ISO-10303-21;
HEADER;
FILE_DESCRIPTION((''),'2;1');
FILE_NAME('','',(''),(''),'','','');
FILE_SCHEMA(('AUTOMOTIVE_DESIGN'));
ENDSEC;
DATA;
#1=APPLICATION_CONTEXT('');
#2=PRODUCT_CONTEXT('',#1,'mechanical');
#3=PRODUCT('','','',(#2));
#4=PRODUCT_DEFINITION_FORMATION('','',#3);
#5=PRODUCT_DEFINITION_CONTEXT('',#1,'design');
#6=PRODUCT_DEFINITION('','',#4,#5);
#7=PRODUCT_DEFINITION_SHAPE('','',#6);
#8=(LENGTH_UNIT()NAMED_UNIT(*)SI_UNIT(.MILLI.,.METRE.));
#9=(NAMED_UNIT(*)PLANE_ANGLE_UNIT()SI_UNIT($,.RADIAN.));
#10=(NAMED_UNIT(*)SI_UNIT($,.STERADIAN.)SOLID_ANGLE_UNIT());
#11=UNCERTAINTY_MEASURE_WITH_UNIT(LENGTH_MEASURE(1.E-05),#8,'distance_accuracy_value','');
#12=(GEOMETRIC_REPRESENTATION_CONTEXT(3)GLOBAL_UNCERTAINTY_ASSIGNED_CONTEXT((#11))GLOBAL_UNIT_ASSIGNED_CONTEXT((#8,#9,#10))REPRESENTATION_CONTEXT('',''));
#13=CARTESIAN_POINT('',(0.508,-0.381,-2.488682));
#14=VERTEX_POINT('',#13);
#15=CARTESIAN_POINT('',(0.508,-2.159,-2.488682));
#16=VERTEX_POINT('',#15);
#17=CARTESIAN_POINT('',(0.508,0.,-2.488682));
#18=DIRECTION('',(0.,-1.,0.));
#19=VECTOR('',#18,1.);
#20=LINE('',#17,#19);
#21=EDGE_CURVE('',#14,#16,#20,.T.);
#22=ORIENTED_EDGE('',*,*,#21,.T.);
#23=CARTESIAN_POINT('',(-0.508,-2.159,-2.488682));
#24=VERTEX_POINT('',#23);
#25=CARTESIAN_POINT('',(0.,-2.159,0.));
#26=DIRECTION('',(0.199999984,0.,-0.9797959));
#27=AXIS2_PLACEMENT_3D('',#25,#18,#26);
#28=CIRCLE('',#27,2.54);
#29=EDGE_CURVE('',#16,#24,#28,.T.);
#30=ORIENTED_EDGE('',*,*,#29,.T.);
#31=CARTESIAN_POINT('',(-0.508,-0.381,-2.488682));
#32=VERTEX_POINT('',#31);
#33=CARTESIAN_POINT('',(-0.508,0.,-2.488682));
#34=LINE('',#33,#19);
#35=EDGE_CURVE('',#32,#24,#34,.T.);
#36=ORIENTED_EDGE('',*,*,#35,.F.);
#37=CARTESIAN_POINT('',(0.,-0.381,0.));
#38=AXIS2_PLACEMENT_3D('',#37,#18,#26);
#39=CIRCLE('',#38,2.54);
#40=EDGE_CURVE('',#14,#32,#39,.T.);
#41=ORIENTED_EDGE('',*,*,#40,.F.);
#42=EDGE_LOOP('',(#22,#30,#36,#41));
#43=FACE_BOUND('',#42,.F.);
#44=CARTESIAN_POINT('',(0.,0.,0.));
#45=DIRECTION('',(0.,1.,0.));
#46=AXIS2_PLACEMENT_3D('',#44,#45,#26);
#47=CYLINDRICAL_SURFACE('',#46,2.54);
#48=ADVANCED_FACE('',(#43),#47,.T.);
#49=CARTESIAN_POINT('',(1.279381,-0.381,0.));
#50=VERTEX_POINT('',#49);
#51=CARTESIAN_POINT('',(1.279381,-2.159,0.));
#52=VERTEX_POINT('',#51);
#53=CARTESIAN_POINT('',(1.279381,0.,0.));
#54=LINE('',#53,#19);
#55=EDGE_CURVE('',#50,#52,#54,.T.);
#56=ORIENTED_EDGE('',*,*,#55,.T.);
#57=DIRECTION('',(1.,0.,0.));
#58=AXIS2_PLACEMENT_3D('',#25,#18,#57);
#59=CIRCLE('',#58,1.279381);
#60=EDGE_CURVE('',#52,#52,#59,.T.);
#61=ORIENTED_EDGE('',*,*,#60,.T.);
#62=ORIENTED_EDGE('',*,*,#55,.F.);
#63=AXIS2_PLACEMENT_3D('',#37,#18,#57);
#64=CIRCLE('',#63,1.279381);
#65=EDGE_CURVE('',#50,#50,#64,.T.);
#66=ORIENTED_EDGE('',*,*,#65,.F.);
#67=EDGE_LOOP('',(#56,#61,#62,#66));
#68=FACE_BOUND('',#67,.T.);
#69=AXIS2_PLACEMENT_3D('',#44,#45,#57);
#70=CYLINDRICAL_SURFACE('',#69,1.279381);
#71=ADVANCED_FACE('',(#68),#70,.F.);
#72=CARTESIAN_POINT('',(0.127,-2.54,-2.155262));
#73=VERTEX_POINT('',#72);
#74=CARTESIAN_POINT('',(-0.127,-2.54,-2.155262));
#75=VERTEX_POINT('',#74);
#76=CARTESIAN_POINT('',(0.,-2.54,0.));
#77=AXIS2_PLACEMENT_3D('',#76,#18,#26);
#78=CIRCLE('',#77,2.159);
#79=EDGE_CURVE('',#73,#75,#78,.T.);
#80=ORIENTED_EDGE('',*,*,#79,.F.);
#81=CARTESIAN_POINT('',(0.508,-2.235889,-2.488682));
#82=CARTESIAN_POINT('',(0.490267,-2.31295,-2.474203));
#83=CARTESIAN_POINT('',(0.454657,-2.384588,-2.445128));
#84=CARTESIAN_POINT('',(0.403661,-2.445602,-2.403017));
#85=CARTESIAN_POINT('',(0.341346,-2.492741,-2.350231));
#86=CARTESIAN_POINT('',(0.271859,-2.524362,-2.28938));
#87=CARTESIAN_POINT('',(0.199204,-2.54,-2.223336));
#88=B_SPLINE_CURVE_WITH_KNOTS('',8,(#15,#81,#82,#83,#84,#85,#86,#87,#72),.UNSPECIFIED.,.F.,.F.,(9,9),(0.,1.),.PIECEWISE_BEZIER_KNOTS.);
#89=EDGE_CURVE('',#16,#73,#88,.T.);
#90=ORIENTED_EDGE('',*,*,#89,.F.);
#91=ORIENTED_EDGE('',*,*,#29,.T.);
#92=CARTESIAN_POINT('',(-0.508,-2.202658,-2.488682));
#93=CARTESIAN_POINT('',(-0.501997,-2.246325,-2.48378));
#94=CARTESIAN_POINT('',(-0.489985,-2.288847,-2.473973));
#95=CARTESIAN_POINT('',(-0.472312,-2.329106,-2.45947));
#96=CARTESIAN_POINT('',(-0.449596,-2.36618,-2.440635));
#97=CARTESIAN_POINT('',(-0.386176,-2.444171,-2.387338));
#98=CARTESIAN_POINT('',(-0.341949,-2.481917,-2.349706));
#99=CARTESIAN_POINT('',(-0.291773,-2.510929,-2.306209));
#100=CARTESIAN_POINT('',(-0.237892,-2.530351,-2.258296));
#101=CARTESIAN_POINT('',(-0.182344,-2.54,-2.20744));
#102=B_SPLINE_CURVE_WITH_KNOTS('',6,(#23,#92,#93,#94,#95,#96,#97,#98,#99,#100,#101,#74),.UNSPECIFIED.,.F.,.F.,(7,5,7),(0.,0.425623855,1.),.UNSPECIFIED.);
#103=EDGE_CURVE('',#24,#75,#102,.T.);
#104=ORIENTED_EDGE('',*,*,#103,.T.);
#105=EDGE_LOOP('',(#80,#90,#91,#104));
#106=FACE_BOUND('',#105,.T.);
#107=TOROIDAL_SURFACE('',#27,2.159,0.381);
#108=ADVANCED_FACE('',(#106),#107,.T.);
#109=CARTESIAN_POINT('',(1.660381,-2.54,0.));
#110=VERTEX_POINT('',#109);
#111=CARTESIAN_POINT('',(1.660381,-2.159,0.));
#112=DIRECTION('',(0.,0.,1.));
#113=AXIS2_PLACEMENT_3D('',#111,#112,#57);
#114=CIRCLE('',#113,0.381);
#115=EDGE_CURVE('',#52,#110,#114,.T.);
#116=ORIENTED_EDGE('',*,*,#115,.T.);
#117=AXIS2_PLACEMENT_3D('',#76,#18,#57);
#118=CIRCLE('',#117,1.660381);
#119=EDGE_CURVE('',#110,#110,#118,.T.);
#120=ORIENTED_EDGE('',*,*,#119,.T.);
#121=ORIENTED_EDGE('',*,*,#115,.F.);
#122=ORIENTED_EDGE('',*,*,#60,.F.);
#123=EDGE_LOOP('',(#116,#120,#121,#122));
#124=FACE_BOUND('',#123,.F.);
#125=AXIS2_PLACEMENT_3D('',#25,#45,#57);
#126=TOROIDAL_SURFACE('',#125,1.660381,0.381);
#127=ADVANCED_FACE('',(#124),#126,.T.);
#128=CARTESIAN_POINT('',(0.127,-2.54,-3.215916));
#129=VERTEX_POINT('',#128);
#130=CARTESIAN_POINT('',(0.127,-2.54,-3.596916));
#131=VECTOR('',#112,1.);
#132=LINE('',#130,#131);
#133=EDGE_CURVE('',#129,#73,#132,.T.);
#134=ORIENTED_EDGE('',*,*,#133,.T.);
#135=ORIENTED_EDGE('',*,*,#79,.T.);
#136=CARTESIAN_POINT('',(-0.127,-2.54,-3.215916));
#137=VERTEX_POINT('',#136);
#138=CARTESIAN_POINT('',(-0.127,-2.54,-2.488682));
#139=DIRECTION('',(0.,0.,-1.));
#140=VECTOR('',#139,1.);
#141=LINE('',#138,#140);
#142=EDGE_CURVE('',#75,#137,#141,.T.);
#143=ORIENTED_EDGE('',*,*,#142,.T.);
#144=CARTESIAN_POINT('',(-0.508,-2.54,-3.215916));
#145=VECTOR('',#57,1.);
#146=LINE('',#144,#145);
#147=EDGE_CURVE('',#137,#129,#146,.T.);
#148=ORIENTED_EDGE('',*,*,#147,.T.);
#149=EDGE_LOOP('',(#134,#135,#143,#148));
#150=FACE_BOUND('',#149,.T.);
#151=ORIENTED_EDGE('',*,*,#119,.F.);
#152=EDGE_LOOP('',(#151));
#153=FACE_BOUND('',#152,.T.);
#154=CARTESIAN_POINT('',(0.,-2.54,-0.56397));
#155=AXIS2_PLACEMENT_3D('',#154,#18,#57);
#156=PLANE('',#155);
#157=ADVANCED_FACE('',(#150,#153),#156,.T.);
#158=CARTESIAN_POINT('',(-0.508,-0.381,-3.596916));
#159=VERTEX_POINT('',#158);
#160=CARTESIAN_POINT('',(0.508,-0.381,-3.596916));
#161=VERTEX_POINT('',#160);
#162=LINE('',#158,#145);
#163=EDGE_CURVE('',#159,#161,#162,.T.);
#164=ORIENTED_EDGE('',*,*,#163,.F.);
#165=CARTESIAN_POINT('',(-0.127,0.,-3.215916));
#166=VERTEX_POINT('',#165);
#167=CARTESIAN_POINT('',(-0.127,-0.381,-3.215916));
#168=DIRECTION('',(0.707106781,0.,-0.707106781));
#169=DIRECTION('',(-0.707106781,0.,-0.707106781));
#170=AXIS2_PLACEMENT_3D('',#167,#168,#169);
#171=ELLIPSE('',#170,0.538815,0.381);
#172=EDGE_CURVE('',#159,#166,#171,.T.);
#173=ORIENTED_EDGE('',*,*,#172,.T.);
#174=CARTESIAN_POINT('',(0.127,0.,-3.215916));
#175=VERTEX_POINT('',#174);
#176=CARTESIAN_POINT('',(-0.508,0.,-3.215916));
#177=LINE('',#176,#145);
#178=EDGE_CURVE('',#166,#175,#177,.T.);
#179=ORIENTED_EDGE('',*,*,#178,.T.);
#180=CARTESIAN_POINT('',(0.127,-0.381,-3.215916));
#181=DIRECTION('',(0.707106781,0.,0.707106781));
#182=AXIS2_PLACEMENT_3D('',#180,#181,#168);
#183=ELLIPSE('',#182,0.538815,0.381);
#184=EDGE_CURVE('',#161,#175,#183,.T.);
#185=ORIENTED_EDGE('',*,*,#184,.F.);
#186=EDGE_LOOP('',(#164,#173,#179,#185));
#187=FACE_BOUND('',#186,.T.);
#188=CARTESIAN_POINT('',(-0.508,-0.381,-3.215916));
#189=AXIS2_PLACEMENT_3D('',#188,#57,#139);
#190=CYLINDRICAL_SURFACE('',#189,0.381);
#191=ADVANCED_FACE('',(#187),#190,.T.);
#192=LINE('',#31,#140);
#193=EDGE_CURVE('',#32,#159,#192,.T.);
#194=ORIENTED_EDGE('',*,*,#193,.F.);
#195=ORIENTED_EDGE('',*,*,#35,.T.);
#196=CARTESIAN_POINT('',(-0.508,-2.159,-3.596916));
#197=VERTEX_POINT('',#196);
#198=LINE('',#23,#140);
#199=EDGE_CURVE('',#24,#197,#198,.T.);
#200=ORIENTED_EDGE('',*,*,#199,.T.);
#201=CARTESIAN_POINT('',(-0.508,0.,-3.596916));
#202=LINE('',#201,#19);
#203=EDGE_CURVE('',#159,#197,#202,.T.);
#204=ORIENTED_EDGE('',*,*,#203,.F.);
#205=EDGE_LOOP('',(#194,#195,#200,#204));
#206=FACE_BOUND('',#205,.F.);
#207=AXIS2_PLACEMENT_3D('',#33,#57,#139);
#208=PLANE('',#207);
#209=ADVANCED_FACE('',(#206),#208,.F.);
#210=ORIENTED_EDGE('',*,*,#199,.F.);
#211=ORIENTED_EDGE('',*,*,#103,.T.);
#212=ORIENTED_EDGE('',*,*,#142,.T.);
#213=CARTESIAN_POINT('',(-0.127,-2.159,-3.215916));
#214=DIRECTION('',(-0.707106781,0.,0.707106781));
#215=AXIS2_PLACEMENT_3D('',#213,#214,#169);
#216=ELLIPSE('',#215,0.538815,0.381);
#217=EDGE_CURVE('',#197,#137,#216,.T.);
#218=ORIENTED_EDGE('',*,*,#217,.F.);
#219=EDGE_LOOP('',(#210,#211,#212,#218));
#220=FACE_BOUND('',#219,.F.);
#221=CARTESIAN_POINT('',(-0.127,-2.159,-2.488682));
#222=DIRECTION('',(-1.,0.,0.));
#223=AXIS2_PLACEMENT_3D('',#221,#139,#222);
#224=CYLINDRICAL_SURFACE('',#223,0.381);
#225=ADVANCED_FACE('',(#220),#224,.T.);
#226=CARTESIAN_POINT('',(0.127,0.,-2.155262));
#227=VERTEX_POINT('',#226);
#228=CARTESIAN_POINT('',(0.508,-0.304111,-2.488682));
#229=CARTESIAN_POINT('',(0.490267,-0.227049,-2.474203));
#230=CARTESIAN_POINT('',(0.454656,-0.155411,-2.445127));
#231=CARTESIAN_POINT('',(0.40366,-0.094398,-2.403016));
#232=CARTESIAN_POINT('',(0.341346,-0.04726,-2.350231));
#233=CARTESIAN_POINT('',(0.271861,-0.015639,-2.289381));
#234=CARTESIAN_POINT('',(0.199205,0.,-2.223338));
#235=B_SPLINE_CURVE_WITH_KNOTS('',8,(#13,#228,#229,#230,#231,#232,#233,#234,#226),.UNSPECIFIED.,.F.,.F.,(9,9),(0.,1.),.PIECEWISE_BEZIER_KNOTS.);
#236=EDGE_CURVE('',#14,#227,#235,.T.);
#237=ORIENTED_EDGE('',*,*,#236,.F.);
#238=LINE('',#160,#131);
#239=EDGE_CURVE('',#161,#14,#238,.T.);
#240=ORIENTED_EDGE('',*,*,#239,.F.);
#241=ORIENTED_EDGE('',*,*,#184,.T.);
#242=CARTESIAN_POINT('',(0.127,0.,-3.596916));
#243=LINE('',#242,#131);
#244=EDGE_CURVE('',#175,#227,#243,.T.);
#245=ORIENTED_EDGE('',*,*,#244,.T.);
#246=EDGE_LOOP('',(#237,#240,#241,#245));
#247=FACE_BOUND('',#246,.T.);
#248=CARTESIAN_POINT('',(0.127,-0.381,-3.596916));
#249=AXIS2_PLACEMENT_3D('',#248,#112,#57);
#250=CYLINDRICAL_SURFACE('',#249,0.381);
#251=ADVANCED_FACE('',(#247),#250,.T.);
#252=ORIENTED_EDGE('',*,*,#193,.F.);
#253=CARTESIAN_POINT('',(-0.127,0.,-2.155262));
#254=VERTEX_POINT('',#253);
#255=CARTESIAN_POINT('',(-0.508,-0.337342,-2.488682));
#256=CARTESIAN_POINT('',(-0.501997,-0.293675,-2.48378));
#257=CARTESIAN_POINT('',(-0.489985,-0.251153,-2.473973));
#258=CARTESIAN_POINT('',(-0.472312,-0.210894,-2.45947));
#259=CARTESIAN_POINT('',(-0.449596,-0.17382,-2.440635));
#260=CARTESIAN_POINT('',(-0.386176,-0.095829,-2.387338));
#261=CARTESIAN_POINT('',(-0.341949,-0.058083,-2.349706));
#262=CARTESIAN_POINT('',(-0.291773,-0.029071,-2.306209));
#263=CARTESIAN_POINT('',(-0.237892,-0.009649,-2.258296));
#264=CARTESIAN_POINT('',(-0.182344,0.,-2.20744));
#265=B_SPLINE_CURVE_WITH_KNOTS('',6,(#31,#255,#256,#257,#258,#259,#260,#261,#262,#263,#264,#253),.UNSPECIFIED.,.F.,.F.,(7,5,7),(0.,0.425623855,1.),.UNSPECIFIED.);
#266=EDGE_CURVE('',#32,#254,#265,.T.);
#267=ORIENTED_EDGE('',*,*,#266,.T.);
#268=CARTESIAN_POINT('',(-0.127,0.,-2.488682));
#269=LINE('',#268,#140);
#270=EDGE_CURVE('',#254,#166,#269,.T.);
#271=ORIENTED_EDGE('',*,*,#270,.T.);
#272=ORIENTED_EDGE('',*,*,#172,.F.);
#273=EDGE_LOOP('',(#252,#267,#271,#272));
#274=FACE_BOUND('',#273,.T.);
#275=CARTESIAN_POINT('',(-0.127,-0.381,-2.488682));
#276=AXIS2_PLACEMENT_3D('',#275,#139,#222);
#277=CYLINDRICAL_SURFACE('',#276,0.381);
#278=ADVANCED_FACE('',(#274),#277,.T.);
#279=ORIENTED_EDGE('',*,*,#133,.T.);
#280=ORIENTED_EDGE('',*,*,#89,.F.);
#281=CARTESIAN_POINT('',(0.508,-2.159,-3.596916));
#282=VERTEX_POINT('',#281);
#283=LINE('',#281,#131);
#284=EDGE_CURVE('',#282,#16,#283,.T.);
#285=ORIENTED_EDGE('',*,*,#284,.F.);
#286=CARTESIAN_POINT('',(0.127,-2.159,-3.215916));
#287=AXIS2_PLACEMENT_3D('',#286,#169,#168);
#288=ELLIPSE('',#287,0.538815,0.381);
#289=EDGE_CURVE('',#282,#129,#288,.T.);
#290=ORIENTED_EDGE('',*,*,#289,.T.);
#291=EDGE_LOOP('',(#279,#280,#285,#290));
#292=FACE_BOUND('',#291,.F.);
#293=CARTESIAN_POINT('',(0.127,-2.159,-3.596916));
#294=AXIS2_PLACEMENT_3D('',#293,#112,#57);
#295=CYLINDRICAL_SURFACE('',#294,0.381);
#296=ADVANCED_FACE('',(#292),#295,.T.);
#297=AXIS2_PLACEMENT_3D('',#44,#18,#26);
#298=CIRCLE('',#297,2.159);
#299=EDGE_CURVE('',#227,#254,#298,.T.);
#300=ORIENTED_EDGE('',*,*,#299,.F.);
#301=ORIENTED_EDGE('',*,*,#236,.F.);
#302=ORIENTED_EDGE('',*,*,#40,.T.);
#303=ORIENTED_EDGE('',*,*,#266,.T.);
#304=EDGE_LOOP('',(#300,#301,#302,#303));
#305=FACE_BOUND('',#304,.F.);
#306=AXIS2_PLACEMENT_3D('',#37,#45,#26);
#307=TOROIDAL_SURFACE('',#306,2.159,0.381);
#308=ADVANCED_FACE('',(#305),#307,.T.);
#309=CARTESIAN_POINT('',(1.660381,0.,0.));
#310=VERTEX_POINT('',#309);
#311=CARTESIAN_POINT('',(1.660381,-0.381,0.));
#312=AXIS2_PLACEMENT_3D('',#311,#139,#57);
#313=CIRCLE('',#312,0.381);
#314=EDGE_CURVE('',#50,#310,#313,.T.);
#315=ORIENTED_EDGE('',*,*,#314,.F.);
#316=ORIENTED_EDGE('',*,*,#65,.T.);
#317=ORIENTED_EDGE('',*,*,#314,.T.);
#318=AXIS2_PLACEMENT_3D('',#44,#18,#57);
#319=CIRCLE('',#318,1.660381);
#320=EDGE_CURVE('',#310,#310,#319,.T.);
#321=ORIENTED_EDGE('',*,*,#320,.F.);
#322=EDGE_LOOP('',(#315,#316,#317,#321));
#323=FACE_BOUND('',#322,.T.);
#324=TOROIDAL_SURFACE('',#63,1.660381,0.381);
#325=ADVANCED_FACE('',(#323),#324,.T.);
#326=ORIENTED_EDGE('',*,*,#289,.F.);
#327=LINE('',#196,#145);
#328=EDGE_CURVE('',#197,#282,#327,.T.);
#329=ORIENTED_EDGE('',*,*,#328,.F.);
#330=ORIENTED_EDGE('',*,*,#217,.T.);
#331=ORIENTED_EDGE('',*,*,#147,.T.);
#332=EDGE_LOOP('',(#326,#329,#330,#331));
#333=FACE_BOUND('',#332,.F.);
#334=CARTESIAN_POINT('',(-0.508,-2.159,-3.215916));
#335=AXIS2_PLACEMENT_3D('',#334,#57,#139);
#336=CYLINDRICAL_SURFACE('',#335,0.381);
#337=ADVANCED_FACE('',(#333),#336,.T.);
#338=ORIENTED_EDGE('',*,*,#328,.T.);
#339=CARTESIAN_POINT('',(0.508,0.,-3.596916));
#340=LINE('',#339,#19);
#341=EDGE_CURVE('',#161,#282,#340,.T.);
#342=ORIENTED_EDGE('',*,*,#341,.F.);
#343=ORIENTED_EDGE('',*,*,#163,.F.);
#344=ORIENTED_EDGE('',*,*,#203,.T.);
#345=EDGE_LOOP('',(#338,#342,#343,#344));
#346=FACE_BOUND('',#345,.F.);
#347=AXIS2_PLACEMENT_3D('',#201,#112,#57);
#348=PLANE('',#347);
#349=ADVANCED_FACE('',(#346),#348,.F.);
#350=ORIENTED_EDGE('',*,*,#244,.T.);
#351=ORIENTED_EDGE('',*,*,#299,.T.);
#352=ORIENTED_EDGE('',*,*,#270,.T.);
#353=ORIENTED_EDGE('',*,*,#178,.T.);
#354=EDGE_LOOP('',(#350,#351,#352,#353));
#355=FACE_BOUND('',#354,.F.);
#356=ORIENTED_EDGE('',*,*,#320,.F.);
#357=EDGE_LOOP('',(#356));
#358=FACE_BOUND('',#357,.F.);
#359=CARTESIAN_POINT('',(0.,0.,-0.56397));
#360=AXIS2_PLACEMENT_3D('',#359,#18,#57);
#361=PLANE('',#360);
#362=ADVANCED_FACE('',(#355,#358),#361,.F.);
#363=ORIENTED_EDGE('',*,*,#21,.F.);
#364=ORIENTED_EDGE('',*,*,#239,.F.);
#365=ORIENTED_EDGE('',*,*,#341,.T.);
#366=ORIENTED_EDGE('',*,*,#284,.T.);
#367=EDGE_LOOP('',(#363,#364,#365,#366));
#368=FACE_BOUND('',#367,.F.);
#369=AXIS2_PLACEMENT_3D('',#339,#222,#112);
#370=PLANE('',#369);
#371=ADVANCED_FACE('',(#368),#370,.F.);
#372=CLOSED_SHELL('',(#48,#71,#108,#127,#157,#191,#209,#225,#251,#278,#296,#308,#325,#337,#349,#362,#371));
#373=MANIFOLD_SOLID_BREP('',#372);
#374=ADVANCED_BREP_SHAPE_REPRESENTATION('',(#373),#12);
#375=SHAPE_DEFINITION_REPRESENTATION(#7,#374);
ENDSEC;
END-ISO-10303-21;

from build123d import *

# Parameters (mm, degrees)
F0_R     = 1.279381
F1_DEPTH = 2.54
F2_R     = 0.381


with BuildPart() as f1:
    # F0 (on Front) → F1 (new body)
    with BuildSketch(Plane.XZ):
        with BuildLine():
            Line((0.508, -3.596916), (0.508, -2.488682))
            ThreePointArc((0.508, -2.488682), (0, 2.54), (-0.508, -2.488682))
            Line((-0.508, -2.488682), (-0.508, -3.596916))
            Line((-0.508, -3.596916), (0.508, -3.596916))
        make_face()
        Circle(F0_R, mode=Mode.SUBTRACT)
    extrude(amount=F1_DEPTH)

    # F2
    f2_edges = [f1.edges().sort_by_distance(p)[0] for p in [
        (-0.508, -2.54, -3.042799),
        (0, -2.54, -3.596916),
        (0.508, -2.54, -3.042799),
        (0, -2.54, 2.54),
        (-1.279381, -2.54, 0),
        (-0.508, 0, -3.042799),
        (0, 0, -3.596916),
        (0.508, 0, -3.042799),
        (0, 0, 2.54),
        (-1.279381, 0, 0),
    ]]
    fillet(f2_edges, radius=F2_R)


solid = f1.part
